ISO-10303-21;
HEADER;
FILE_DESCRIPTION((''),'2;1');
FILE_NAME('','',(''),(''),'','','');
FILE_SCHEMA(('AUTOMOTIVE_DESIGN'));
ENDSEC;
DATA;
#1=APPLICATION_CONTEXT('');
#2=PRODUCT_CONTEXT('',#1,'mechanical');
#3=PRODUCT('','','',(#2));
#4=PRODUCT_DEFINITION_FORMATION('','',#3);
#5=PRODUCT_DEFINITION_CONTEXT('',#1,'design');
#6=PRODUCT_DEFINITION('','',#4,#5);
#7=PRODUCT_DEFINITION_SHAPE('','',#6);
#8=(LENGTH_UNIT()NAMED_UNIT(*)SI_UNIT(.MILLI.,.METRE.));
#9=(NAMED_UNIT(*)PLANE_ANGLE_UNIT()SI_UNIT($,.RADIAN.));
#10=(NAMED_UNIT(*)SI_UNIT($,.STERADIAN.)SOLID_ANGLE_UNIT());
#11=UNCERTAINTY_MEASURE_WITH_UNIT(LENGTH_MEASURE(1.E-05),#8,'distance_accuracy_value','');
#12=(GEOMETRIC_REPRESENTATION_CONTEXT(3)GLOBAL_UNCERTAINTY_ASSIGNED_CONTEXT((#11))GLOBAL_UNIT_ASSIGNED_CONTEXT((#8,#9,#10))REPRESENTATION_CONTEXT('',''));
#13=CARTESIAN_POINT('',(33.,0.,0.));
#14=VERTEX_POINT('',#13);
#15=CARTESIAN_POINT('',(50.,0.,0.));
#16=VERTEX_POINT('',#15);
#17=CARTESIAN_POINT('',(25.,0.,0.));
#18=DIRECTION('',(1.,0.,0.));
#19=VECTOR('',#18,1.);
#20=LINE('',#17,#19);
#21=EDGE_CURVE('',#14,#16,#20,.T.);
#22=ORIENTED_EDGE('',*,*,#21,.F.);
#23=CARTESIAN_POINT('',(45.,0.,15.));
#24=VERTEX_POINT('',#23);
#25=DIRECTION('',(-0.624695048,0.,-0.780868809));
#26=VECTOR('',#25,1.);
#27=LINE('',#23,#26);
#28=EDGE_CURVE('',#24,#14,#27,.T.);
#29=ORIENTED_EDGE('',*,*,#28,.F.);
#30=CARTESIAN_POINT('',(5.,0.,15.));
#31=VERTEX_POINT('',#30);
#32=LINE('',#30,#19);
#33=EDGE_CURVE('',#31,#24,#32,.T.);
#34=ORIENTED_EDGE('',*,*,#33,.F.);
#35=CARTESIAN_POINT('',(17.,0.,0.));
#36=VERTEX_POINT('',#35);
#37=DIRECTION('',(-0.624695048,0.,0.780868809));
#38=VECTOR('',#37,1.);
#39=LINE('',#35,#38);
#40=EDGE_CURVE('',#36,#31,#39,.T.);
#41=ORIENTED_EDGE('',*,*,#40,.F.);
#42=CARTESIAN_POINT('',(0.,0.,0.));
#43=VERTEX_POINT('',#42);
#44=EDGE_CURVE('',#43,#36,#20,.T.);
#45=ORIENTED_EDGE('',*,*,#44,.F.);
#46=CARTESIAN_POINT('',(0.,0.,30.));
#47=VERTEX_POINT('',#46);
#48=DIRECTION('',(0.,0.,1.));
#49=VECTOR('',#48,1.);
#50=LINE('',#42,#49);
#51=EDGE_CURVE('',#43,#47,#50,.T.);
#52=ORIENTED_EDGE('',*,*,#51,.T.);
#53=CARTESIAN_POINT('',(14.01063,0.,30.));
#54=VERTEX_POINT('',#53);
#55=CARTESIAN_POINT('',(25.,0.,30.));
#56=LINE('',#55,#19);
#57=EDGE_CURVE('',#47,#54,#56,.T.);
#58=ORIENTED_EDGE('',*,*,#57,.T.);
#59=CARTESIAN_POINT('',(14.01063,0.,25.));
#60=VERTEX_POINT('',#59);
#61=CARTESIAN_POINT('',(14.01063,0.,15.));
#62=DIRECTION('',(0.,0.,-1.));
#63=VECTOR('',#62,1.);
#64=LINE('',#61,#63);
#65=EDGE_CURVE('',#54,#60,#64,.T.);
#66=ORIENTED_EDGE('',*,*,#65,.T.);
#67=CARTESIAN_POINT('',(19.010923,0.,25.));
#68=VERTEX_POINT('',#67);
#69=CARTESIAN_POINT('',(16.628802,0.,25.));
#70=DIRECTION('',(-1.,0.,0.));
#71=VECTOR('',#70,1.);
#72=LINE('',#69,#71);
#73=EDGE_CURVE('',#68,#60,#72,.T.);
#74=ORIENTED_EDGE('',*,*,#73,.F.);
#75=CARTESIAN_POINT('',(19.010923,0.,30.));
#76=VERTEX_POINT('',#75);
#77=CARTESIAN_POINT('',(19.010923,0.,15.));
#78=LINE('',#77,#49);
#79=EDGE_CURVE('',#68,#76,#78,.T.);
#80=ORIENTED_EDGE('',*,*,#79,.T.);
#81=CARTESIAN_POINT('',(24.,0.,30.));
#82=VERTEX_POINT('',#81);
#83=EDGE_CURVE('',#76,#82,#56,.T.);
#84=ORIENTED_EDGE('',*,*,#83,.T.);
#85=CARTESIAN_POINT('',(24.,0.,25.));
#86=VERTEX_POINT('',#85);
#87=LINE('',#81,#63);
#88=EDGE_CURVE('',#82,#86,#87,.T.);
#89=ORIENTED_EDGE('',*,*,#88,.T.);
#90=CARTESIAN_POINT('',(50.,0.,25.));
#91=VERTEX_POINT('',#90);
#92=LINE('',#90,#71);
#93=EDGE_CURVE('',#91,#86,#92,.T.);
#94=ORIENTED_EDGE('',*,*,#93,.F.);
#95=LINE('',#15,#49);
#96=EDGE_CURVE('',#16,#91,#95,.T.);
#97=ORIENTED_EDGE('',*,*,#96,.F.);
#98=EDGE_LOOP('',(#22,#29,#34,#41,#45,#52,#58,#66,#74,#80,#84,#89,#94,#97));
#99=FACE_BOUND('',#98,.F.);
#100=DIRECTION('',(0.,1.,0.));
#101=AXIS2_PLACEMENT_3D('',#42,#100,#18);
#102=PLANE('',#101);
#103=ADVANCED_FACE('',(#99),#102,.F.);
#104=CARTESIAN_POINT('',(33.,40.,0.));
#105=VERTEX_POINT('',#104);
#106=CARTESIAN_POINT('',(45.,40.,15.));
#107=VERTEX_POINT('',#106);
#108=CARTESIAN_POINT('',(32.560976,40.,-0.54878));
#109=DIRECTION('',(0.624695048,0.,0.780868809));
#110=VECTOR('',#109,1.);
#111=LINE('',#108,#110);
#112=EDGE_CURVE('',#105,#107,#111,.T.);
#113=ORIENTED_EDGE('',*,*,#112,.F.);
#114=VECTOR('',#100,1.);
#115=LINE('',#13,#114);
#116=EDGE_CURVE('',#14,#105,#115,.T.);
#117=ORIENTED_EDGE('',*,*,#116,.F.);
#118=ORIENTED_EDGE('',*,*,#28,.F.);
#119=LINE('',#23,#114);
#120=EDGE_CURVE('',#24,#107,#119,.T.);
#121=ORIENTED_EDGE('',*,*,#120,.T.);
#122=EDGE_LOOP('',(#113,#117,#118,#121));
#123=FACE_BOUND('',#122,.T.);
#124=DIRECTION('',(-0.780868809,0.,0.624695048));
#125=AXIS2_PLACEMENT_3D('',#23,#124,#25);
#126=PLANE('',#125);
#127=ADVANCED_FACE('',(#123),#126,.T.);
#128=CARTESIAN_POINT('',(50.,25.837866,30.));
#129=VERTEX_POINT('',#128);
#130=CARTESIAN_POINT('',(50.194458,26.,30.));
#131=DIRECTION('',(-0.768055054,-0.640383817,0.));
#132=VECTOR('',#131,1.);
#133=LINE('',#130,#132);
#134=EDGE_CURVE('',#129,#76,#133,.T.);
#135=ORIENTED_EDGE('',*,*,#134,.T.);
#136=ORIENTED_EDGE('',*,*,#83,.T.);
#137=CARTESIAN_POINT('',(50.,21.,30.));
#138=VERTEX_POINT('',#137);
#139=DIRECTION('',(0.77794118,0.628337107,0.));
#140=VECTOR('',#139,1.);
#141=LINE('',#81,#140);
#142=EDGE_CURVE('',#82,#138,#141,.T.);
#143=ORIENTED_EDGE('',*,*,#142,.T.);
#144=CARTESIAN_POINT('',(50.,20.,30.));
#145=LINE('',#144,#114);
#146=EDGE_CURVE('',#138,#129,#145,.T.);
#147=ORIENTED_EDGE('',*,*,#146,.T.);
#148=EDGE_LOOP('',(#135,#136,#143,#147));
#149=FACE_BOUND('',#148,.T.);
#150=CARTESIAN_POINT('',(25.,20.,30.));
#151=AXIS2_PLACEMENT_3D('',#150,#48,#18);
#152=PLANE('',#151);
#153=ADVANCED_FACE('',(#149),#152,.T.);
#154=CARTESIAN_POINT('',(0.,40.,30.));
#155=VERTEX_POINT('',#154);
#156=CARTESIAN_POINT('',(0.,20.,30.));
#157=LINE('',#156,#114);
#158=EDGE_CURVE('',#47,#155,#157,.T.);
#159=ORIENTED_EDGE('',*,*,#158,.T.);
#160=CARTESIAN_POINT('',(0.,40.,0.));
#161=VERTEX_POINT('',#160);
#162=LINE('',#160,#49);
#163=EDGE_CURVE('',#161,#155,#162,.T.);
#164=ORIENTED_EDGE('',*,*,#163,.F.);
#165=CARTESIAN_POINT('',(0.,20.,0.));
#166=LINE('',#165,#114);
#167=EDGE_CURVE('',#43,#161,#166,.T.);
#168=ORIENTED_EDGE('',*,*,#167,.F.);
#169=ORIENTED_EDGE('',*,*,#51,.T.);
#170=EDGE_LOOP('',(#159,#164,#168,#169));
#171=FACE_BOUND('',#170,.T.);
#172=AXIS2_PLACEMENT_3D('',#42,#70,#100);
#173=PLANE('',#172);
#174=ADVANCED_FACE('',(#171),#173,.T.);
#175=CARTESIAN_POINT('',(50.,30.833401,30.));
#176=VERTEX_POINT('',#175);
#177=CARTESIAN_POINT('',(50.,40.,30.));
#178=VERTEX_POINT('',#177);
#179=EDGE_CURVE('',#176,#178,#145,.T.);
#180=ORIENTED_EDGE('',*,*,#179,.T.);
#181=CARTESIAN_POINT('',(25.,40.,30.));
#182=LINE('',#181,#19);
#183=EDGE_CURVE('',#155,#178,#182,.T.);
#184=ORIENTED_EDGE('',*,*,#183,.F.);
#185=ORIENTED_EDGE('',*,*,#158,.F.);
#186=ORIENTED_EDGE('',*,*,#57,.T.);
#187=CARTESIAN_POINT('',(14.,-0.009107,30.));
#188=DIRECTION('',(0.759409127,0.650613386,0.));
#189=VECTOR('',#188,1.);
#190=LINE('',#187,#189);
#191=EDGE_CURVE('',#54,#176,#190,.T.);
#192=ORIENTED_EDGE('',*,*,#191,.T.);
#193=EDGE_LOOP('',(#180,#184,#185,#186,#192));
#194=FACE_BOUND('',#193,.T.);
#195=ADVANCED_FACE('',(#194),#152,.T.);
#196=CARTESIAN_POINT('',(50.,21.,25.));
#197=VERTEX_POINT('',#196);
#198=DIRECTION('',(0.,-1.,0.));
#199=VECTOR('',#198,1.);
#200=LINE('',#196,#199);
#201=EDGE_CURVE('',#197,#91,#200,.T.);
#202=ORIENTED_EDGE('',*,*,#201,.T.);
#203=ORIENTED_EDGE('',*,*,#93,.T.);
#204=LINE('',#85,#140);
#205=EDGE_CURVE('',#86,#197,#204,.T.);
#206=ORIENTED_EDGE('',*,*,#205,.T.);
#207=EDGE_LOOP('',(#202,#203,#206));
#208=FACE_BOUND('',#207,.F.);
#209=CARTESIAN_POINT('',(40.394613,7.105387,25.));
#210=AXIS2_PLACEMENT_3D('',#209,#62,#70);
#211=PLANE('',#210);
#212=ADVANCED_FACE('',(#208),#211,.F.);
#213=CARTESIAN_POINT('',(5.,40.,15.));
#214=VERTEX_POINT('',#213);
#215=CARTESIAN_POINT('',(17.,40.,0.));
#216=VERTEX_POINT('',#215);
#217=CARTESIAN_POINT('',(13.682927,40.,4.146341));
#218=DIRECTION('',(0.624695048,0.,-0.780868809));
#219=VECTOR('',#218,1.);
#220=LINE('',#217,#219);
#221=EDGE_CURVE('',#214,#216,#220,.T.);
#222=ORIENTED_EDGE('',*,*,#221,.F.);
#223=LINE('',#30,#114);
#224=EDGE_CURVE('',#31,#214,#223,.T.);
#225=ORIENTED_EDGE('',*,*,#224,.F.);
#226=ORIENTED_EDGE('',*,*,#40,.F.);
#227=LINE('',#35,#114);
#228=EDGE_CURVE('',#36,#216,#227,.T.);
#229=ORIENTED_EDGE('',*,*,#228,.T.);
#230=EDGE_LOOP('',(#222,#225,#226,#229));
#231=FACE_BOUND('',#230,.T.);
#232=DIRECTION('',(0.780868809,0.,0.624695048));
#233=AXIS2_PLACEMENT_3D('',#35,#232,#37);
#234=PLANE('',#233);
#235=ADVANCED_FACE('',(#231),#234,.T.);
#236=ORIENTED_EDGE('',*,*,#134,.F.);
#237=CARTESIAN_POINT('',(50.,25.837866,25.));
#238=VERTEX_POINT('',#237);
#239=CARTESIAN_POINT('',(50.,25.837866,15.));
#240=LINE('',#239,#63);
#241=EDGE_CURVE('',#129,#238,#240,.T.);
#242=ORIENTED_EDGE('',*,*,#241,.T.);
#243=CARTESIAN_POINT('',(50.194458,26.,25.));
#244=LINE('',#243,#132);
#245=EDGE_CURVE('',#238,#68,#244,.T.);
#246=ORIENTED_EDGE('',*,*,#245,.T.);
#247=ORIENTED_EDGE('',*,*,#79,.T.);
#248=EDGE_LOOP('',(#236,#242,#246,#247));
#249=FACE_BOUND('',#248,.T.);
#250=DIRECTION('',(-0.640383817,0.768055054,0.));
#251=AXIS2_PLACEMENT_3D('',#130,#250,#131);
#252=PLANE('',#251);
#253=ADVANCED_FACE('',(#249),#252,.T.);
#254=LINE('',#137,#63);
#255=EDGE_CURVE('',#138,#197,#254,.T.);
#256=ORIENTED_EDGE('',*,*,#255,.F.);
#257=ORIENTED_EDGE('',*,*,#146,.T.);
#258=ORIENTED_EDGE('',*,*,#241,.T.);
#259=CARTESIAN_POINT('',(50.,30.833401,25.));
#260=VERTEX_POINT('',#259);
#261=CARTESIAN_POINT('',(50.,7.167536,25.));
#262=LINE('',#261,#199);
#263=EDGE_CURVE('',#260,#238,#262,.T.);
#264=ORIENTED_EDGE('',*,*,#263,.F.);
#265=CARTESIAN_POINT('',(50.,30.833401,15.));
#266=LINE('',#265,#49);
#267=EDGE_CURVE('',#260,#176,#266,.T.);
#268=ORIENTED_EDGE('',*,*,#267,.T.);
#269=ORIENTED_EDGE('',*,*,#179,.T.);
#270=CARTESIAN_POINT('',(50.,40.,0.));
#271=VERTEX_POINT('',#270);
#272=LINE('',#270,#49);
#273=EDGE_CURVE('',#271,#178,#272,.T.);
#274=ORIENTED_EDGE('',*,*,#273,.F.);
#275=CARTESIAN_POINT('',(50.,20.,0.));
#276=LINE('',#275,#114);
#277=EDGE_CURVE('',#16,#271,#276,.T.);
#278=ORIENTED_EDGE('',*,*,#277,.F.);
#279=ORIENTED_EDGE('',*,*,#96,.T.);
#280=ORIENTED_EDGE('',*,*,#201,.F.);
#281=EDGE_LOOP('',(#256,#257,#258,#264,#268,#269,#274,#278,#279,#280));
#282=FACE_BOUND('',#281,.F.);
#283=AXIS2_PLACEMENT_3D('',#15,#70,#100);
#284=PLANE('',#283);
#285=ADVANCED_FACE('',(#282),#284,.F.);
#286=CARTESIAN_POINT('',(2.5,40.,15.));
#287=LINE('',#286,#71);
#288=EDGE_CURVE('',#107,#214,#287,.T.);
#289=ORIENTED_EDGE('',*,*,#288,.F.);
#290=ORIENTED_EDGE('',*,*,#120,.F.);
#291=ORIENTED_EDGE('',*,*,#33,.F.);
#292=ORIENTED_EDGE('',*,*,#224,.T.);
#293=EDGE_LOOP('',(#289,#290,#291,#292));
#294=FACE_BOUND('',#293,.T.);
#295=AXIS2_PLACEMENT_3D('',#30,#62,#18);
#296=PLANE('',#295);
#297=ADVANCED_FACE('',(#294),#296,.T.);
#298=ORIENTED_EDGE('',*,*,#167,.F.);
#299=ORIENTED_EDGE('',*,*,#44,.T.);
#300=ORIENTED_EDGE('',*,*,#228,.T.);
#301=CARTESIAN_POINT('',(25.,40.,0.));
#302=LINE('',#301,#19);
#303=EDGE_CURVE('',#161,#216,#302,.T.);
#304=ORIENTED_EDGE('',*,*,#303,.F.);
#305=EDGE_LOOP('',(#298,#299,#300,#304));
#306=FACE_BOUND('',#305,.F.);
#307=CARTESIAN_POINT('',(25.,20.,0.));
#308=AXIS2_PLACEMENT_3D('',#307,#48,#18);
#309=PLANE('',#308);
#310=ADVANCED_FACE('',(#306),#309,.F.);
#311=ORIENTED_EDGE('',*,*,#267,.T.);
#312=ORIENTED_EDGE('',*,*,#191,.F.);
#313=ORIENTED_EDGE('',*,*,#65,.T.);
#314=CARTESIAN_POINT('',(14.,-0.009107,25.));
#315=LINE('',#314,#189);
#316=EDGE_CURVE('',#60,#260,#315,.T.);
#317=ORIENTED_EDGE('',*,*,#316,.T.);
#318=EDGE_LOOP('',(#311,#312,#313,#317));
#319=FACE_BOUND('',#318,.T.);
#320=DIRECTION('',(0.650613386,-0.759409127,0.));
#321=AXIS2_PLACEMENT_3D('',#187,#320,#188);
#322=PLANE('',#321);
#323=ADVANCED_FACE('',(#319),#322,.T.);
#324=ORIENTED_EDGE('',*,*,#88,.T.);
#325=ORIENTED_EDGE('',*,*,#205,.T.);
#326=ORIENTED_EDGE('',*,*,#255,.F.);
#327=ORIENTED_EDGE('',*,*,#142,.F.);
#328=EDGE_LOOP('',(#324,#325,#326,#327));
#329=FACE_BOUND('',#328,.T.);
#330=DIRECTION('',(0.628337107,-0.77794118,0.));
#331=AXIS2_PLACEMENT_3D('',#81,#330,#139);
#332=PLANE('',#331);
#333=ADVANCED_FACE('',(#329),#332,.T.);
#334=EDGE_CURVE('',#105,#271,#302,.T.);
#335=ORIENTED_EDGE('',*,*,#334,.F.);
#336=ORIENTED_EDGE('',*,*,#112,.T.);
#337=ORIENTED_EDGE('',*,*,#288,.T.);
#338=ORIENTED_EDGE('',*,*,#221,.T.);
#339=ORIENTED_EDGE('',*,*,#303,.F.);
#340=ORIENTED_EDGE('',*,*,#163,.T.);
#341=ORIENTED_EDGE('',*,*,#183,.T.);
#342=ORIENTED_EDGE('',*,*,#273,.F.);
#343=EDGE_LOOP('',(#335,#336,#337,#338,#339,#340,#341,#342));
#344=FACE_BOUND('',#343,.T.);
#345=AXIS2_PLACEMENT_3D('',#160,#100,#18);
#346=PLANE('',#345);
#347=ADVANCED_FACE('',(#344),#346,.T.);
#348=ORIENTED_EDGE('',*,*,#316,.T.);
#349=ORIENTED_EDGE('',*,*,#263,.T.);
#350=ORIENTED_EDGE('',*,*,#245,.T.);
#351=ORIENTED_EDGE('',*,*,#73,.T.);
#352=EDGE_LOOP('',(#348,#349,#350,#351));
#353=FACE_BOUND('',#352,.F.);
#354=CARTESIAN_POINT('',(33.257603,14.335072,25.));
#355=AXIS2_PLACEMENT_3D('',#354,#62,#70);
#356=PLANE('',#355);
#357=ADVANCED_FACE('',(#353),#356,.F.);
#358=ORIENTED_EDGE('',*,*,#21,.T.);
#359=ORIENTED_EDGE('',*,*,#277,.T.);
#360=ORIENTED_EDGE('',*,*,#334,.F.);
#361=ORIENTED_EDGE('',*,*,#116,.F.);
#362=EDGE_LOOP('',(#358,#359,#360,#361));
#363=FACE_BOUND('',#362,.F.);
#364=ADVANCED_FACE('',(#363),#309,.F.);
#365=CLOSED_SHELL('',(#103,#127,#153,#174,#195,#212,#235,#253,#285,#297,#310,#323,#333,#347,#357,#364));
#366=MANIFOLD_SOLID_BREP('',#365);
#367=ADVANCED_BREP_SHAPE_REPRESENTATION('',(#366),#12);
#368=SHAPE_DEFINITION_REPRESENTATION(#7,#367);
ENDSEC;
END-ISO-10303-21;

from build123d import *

# Parameters (mm, degrees)
BOX_W           = 50
BOX_H           = 40
BOX_DEPTH       = 30
POCKET_DEPTH    = 40.001
POCKET001_DEPTH = 5
POCKET002_DEPTH = 5


with BuildPart() as part:
    # Box → Box (new body)
    with BuildSketch(Plane.XY):
        with Locations((25, 20)):
            Rectangle(BOX_W, BOX_H)
    extrude(amount=BOX_DEPTH)

    # Sketch → Pocket (cut, through all)
    with BuildSketch(Plane.XZ):
        Polygon((17, 0), (5, 15), (45, 15), (33, 0), align=None)
    extrude(amount=-POCKET_DEPTH, mode=Mode.SUBTRACT)

    # Sketch001 → Pocket001 (cut)
    with BuildSketch(Plane.XY.offset(30)):
        Polygon((50, 0), (24, 0), (50, 21), align=None)
    extrude(amount=-POCKET001_DEPTH, mode=Mode.SUBTRACT)

    # Sketch003 → Pocket002 (cut)
    with BuildSketch(Plane.XY.offset(30)):
        Polygon((19, -0.009107), (14, -0.009107), (50.194458, 31), (50.194458, 26), align=None)
    extrude(amount=-POCKET002_DEPTH, mode=Mode.SUBTRACT)


solid = part.part
